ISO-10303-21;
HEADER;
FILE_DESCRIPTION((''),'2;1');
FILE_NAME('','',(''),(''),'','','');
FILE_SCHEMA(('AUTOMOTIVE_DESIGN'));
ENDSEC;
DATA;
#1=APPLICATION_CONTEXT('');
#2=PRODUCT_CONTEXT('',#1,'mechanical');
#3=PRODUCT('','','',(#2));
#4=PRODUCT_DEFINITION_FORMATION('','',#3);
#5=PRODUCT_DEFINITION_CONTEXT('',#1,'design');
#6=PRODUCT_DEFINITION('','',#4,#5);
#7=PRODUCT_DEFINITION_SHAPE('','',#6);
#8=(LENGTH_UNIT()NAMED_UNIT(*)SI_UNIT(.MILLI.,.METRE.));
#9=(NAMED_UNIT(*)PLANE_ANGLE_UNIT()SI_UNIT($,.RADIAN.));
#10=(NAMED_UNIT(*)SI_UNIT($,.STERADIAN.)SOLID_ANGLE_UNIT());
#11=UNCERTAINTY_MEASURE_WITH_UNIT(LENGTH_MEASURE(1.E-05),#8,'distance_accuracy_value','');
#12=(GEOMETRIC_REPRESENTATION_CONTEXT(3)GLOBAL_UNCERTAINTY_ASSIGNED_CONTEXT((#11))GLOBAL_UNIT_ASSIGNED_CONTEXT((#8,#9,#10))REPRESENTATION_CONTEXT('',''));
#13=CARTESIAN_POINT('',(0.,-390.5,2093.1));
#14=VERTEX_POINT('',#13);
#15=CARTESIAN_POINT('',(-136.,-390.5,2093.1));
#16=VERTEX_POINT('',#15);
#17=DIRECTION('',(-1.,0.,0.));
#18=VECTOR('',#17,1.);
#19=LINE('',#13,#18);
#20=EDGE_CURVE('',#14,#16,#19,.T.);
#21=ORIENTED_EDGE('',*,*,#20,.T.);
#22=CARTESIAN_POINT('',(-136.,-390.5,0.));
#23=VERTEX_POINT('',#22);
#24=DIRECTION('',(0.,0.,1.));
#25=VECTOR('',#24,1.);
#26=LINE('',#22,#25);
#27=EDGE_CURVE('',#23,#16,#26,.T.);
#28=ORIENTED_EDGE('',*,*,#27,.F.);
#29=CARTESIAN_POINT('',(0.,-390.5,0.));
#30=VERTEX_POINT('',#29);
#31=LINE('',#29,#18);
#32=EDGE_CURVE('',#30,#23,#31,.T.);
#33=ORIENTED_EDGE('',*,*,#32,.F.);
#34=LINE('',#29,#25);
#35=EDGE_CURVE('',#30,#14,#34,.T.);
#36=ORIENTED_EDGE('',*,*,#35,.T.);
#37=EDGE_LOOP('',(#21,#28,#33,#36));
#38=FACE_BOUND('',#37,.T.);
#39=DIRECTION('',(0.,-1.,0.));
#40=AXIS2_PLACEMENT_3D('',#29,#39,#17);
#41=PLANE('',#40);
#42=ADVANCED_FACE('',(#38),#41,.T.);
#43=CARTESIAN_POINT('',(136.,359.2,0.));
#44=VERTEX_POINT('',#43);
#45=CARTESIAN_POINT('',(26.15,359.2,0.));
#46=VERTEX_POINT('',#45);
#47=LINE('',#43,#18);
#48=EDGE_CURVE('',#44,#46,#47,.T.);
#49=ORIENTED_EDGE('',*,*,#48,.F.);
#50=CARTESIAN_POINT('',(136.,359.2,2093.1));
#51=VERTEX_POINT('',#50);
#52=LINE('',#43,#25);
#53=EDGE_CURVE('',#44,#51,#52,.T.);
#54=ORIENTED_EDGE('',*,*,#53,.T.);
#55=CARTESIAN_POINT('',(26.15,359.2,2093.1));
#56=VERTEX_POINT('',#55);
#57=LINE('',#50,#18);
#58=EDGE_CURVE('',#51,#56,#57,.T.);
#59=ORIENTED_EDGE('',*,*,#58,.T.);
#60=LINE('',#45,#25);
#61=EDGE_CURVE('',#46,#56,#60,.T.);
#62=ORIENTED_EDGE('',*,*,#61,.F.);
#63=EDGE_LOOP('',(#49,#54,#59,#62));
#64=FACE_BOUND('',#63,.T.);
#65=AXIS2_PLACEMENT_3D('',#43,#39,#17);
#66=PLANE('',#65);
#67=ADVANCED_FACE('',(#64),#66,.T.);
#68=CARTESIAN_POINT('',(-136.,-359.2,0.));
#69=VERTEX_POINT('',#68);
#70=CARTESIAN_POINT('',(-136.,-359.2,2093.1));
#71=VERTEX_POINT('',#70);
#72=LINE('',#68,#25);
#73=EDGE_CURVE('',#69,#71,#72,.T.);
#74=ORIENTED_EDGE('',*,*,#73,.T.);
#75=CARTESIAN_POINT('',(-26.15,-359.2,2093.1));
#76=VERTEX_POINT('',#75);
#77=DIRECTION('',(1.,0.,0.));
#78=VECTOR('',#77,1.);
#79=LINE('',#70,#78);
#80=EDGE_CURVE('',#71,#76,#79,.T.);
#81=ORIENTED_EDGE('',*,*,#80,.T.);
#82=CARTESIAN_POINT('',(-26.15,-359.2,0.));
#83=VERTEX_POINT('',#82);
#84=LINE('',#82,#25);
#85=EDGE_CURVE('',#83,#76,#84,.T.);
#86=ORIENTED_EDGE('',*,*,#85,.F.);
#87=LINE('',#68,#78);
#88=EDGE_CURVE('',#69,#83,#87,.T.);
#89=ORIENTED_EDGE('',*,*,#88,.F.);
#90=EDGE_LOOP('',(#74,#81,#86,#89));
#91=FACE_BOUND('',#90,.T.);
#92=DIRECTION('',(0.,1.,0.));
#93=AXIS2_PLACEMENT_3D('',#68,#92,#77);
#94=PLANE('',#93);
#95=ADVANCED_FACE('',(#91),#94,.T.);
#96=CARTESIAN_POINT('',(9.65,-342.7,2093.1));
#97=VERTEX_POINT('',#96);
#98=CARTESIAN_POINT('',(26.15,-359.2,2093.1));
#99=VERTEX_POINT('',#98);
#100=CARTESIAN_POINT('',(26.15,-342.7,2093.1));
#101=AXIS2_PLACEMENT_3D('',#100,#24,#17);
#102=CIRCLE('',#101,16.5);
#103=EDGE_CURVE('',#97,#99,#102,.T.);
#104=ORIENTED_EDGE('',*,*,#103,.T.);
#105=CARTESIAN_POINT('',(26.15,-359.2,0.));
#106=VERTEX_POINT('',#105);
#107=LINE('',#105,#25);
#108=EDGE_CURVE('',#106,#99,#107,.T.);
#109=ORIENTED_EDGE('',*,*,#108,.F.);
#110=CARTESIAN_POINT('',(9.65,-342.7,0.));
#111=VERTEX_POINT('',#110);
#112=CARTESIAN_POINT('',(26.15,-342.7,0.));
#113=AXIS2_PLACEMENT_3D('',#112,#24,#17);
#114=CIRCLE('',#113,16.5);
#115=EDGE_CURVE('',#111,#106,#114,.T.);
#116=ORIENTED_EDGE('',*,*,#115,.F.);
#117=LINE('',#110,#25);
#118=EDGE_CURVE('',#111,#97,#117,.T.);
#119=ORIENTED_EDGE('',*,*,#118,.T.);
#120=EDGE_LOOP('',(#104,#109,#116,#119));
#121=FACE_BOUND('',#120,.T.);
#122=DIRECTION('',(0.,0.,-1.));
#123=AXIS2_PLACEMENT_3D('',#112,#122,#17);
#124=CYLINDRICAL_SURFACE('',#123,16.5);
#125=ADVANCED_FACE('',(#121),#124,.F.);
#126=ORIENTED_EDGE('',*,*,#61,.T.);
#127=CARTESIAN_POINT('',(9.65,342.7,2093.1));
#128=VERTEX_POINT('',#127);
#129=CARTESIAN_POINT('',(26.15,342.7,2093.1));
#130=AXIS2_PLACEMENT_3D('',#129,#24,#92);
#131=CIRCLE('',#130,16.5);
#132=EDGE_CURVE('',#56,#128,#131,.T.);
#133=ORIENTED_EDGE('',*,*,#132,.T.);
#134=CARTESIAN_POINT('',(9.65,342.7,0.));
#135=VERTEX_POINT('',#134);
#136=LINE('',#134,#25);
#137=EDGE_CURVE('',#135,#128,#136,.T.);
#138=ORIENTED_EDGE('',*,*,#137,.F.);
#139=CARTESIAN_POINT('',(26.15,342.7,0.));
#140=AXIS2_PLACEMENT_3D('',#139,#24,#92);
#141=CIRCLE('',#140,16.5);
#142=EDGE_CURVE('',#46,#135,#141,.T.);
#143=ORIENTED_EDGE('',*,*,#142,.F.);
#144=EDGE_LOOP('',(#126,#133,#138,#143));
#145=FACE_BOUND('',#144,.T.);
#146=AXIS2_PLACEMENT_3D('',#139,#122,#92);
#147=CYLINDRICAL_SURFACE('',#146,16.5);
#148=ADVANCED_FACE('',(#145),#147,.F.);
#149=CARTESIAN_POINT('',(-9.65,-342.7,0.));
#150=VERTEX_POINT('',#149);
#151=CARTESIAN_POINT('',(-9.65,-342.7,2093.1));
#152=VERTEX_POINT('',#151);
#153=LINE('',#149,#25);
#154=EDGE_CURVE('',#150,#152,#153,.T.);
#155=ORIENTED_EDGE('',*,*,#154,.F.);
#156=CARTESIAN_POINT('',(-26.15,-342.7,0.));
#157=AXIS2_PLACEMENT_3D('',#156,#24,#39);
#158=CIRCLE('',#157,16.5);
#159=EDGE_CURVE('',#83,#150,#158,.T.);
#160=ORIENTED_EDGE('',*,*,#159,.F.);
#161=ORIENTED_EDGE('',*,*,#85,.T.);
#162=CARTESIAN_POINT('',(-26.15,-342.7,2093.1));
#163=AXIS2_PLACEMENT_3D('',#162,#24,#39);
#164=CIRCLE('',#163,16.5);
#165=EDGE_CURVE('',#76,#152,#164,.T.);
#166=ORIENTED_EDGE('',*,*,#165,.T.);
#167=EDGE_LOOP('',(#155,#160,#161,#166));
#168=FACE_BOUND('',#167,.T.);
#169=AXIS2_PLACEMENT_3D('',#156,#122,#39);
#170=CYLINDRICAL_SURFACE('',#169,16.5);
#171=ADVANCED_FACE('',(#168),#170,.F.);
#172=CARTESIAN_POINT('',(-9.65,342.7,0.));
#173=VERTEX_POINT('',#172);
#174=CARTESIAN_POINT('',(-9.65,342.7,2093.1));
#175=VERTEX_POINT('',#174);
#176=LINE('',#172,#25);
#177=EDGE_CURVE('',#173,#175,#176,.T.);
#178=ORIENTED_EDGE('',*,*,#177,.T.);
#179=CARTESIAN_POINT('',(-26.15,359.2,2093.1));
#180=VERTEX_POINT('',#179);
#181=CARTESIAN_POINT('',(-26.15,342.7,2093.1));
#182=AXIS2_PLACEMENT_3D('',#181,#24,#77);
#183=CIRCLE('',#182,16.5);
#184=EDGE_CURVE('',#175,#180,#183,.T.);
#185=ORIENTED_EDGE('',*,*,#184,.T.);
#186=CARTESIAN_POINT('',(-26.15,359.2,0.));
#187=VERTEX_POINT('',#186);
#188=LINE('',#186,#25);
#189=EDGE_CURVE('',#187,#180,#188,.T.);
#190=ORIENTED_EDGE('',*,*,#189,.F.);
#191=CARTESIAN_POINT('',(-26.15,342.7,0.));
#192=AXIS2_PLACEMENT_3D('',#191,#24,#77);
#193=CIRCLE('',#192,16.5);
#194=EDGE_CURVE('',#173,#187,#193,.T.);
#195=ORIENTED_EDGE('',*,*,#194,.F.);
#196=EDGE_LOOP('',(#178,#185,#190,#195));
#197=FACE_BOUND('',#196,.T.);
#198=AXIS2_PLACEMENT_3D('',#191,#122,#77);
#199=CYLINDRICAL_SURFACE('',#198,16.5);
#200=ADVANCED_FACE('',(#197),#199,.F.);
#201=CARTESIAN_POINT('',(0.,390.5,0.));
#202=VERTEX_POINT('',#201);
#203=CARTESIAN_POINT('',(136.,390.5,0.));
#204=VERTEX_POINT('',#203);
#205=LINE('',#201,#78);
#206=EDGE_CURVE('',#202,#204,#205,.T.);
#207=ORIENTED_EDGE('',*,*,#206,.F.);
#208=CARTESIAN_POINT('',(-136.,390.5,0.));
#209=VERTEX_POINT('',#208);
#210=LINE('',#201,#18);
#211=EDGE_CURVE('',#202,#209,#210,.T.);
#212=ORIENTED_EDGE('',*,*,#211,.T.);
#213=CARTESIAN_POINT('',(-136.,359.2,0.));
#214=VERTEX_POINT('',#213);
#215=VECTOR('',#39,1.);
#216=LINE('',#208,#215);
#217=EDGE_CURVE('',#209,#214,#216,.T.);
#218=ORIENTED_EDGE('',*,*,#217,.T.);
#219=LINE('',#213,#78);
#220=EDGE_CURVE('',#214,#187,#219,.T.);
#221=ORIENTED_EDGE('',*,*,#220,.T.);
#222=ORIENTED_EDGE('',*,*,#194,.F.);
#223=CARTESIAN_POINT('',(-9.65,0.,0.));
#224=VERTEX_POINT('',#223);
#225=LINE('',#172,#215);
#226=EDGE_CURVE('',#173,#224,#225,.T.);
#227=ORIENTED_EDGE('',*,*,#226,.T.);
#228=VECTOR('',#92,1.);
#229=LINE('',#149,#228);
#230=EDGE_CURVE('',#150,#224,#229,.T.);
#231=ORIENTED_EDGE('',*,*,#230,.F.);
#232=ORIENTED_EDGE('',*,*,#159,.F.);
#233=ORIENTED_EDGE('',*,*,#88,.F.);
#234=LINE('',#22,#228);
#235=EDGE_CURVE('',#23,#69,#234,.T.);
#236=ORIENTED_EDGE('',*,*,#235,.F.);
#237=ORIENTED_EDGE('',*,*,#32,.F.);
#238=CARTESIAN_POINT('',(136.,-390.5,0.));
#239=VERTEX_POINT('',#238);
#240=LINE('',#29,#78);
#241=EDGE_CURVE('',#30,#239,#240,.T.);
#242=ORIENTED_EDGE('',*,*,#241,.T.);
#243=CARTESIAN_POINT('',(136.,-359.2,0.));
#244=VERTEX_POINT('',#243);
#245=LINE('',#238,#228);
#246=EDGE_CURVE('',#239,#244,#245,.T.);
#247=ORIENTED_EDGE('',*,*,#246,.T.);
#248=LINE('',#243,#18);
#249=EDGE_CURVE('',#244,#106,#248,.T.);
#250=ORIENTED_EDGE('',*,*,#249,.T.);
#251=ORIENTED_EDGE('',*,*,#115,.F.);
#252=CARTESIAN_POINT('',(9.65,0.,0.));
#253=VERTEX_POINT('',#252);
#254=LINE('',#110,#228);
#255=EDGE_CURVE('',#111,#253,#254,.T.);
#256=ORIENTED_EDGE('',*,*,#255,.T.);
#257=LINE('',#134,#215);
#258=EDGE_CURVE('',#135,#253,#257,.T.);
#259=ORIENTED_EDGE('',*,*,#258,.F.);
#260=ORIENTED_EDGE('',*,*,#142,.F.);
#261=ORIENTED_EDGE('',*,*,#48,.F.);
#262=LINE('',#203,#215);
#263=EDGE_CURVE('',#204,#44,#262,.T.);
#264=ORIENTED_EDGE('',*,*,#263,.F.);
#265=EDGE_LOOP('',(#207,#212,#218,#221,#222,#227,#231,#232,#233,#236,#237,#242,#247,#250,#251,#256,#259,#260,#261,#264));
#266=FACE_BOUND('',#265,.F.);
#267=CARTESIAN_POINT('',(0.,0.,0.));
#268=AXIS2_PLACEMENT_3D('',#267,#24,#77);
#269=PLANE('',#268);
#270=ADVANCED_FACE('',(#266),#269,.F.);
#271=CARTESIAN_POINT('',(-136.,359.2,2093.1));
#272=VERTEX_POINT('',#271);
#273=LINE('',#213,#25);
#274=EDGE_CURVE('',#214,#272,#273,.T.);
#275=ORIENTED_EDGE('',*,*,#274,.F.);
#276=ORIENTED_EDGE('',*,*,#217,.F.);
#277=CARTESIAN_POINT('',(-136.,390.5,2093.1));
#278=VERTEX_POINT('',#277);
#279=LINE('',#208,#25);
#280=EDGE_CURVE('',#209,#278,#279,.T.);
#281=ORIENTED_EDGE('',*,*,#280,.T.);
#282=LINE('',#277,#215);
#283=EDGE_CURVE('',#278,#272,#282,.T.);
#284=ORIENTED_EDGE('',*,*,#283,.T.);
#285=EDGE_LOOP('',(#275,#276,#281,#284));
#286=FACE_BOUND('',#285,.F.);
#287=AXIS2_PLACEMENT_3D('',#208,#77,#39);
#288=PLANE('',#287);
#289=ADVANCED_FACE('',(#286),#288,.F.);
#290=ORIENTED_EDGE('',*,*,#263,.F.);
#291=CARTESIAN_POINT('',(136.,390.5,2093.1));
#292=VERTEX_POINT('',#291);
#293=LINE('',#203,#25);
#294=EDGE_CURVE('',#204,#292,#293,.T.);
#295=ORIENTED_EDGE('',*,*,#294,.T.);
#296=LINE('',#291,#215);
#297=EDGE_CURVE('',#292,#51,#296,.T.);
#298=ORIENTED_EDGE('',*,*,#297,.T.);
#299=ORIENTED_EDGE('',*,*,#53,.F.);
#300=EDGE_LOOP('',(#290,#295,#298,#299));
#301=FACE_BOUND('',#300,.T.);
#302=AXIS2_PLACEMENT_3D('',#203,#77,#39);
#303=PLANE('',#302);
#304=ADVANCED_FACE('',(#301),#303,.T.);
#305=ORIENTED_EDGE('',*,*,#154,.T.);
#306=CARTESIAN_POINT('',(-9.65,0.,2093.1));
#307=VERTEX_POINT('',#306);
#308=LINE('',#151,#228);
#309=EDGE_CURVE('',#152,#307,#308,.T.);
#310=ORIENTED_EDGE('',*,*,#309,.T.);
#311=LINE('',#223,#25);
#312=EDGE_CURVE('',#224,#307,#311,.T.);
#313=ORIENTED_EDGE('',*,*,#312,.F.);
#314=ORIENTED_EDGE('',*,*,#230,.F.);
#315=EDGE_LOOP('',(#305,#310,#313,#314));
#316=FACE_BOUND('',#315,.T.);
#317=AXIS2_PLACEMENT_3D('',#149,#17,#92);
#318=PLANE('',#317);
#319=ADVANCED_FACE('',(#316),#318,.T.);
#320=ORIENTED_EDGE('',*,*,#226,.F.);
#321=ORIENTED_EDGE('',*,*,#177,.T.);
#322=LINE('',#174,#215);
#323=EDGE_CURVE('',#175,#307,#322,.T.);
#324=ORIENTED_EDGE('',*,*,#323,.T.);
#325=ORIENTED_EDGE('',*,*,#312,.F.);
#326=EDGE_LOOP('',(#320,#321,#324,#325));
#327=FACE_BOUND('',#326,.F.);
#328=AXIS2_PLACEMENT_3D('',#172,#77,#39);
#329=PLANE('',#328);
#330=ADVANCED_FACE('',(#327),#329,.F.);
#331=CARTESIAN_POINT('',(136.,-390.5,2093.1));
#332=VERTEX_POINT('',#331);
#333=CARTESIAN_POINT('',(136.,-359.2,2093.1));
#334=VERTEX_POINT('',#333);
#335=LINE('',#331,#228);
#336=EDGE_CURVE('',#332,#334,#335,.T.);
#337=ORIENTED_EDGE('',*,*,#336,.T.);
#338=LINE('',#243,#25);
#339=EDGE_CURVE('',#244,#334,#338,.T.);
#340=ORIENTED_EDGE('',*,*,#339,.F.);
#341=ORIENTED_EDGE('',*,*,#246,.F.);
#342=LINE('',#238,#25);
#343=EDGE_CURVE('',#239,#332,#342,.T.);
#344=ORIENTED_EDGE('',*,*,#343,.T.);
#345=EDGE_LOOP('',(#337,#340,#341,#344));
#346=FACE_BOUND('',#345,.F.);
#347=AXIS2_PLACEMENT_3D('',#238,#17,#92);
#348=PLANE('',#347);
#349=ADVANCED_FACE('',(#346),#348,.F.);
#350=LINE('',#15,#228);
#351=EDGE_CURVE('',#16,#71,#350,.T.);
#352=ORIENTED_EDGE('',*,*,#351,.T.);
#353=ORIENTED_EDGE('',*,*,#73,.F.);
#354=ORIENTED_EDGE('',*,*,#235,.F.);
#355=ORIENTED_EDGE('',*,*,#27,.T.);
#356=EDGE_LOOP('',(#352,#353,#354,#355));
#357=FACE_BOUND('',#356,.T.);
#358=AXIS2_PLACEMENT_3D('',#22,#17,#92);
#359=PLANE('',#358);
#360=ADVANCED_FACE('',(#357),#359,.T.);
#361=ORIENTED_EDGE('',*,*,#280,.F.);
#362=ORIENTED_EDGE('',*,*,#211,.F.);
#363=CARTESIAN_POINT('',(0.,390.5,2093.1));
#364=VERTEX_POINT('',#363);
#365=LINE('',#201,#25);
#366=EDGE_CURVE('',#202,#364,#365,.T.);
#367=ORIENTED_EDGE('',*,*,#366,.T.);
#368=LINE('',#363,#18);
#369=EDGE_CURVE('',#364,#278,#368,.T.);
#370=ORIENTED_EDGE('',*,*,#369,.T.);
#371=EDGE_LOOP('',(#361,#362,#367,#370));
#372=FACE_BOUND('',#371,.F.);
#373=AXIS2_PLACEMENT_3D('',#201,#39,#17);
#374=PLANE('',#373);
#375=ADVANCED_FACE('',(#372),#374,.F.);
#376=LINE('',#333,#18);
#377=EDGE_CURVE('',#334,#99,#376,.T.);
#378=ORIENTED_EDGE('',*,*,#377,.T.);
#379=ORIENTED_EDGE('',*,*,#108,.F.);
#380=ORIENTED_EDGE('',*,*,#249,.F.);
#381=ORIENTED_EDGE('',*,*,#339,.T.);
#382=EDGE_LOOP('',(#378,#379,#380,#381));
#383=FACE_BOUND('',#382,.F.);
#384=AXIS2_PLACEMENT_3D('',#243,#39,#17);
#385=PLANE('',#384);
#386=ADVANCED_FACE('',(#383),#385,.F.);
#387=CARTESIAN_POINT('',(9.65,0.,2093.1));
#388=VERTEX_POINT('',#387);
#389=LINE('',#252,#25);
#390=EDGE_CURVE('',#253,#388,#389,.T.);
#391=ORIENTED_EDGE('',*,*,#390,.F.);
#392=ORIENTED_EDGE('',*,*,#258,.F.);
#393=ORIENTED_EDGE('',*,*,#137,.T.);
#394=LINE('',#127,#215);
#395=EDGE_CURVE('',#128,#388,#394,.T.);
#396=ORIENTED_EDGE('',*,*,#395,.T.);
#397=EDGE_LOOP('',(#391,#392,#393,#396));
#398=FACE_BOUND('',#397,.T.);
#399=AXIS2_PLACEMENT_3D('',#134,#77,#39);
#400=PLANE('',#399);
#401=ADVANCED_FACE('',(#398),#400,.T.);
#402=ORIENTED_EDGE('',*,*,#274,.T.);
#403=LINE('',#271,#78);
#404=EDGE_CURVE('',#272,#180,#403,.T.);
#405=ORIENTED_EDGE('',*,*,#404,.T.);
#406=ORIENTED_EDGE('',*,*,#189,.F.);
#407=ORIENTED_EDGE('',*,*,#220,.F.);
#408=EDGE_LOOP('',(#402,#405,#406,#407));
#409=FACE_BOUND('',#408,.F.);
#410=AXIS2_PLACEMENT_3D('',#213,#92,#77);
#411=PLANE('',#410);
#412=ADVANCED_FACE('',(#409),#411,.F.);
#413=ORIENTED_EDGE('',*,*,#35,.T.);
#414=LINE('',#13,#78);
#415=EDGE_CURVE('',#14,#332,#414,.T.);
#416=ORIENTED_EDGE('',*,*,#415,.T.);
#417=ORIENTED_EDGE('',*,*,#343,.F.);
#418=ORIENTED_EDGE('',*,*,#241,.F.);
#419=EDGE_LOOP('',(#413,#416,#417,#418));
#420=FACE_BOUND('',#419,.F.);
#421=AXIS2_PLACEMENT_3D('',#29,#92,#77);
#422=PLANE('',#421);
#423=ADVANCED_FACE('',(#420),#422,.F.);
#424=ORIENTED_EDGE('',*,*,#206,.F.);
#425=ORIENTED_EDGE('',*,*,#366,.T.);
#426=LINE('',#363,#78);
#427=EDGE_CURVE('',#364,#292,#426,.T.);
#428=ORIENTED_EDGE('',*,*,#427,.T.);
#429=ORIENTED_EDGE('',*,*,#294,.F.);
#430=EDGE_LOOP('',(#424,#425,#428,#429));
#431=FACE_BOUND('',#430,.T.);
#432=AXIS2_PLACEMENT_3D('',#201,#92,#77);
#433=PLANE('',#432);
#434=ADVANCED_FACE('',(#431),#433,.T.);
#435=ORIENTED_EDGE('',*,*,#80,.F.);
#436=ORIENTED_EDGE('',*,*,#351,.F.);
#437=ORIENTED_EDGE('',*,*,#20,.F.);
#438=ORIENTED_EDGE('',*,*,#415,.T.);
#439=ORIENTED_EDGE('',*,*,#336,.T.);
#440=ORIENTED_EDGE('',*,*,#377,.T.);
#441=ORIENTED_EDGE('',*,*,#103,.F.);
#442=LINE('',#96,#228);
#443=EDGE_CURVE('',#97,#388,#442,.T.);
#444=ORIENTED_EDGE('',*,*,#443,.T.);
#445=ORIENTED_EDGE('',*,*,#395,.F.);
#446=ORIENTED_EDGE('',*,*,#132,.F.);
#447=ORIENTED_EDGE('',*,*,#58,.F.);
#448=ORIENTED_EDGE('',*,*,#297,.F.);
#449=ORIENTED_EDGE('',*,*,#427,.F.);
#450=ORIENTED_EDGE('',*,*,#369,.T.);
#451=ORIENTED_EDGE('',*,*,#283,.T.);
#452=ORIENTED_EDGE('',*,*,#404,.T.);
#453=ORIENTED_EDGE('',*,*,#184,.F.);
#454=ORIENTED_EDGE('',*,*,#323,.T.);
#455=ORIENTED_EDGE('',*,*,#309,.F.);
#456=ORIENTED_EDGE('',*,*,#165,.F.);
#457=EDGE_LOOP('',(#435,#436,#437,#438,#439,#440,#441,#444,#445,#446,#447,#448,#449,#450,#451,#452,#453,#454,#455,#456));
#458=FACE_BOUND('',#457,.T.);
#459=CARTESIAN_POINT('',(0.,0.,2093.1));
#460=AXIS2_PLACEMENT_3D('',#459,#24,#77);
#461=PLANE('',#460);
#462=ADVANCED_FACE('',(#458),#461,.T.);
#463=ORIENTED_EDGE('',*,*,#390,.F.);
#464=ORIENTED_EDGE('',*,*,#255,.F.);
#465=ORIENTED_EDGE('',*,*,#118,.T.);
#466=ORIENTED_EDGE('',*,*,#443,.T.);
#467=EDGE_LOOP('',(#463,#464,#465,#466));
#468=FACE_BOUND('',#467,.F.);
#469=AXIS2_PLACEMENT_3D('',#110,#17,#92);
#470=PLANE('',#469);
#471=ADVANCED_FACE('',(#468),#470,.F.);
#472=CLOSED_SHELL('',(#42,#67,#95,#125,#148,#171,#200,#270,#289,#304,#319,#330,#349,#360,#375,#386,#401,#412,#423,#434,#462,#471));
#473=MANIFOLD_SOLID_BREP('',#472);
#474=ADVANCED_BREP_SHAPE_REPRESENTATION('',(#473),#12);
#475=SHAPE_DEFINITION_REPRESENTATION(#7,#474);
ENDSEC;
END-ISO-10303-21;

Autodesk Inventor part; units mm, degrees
ref_plane "YZ Plane" through (0, 0, 0) normal (1, 0, 0) x (0, 1, 0)
ref_plane "Start plane" through (0, 0, 0) normal (0, 0, 1) x (1, 0, 0)
ref_plane "End plane" through (0, 0, 2093.1) normal (0, 0, 1) x (1, 0, 0)
sketch "Sketch" plane through (0, 0, 0) normal (0, 0, 1) x (1, 0, 0)
  line L0 (-136, -390.5) -> (-136, -359.2)
  line L1 (-136, -359.2) -> (-26.15, -359.2)
  line L2 (-9.65, -342.7) -> (-9.65, 0)
  line L3 (-9.65, 0) -> (0, 0) construction
  line L4 (0, 0) -> (0, -390.5) construction
  line L5 (0, -390.5) -> (-136, -390.5)
  line L6 (-60, 0) -> (80, 0) construction
  line L7 (0, -60) -> (0, 80) construction
  line L8 (136, -390.5) -> (136, -359.2)
  line L9 (136, -359.2) -> (26.15, -359.2)
  line L10 (9.65, -342.7) -> (9.65, 0)
  line L11 (9.65, 0) -> (0, 0) construction
  line L12 (0, -390.5) -> (136, -390.5)
  line L13 (-136, 390.5) -> (-136, 359.2)
  line L14 (-136, 359.2) -> (-26.15, 359.2)
  line L15 (-9.65, 342.7) -> (-9.65, 0)
  line L16 (0, 390.5) -> (-136, 390.5)
  line L17 (136, 390.5) -> (136, 359.2)
  line L18 (136, 359.2) -> (26.15, 359.2)
  line L19 (0, 390.5) -> (136, 390.5)
  line L20 (9.65, 342.7) -> (9.65, 0)
  arc A0 (-9.65, 342.7) -> (-26.15, 359.2) centre (-26.15, 342.7) ccw
  arc A1 (26.15, 359.2) -> (9.65, 342.7) centre (26.15, 342.7) ccw
  arc A2 (9.65, -342.7) -> (26.15, -359.2) centre (26.15, -342.7) ccw
  arc A3 (-26.15, -359.2) -> (-9.65, -342.7) centre (-26.15, -342.7) ccw
  line L21 (0, 108) -> (0, -88) construction
  line L22 (-88, 0) -> (108, 0) construction
  point P0 (-9.65, -359.2)
  point P1 (9.65, -359.2)
  point P2 (-9.65, 359.2)
  point P3 (9.65, 359.2)
  dimension "d1" = 390.5
  dimension "d2" = 31.3
  dimension "d3" = 136
  dimension "d4" = 9.65
  dimension "d10" = 16.5
extrude "Body" add sketch "Sketch" along normal up to surface (2093.1 mm away) from surface at 0
sketch "Sketch4" plane through (0, 0, 0) normal (0, 0, 1) x (1, 0, 0)
  line L0 (0, 0) -> (10, 0)
ref_plane "Work Plane3" through (0, 0, 0) normal (0, -1, 0) x (1, 0, 0)
sketch "Sketch5" plane through (0, 0, 0) normal (0, -1, 0) x (1, 0, 0)
  line L0 (-2, 0) -> (12, 0) projected
  line L1 (-2, 2093.1) -> (12, 2093.1) projected
  dimension "d14" = 2093.1
equation "\"d1\" = 0.5 * G_H"
equation "\"d2\" = G_T1"
equation "\"d3\" = 0.5 * G_W"
equation "\"d4\" = 0.5 * G_T"
equation "\"d10\" = G_IR"
equation "\"d5\" = G_L"
equation "\"G_W\" = 272"
equation "\"G_H\" = 781"
equation "\"G_T\" = 19.3"
equation "\"G_T1\" = 31.3"
equation "\"G_IR\" = 16.5"
equation "\"G_L\" = d14"
equation "\"G_OFFSET_START\" = 0"
equation "\"G_OFFSET_END\" = 0"
equation "\"d12\" = G_OFFSET_END + B_L"
equation "\"B_L\" = 2093.1"
properties part number "AS 3679-1990 - 760 UB - 244 - 2093.1" material "Steel, Mild"
